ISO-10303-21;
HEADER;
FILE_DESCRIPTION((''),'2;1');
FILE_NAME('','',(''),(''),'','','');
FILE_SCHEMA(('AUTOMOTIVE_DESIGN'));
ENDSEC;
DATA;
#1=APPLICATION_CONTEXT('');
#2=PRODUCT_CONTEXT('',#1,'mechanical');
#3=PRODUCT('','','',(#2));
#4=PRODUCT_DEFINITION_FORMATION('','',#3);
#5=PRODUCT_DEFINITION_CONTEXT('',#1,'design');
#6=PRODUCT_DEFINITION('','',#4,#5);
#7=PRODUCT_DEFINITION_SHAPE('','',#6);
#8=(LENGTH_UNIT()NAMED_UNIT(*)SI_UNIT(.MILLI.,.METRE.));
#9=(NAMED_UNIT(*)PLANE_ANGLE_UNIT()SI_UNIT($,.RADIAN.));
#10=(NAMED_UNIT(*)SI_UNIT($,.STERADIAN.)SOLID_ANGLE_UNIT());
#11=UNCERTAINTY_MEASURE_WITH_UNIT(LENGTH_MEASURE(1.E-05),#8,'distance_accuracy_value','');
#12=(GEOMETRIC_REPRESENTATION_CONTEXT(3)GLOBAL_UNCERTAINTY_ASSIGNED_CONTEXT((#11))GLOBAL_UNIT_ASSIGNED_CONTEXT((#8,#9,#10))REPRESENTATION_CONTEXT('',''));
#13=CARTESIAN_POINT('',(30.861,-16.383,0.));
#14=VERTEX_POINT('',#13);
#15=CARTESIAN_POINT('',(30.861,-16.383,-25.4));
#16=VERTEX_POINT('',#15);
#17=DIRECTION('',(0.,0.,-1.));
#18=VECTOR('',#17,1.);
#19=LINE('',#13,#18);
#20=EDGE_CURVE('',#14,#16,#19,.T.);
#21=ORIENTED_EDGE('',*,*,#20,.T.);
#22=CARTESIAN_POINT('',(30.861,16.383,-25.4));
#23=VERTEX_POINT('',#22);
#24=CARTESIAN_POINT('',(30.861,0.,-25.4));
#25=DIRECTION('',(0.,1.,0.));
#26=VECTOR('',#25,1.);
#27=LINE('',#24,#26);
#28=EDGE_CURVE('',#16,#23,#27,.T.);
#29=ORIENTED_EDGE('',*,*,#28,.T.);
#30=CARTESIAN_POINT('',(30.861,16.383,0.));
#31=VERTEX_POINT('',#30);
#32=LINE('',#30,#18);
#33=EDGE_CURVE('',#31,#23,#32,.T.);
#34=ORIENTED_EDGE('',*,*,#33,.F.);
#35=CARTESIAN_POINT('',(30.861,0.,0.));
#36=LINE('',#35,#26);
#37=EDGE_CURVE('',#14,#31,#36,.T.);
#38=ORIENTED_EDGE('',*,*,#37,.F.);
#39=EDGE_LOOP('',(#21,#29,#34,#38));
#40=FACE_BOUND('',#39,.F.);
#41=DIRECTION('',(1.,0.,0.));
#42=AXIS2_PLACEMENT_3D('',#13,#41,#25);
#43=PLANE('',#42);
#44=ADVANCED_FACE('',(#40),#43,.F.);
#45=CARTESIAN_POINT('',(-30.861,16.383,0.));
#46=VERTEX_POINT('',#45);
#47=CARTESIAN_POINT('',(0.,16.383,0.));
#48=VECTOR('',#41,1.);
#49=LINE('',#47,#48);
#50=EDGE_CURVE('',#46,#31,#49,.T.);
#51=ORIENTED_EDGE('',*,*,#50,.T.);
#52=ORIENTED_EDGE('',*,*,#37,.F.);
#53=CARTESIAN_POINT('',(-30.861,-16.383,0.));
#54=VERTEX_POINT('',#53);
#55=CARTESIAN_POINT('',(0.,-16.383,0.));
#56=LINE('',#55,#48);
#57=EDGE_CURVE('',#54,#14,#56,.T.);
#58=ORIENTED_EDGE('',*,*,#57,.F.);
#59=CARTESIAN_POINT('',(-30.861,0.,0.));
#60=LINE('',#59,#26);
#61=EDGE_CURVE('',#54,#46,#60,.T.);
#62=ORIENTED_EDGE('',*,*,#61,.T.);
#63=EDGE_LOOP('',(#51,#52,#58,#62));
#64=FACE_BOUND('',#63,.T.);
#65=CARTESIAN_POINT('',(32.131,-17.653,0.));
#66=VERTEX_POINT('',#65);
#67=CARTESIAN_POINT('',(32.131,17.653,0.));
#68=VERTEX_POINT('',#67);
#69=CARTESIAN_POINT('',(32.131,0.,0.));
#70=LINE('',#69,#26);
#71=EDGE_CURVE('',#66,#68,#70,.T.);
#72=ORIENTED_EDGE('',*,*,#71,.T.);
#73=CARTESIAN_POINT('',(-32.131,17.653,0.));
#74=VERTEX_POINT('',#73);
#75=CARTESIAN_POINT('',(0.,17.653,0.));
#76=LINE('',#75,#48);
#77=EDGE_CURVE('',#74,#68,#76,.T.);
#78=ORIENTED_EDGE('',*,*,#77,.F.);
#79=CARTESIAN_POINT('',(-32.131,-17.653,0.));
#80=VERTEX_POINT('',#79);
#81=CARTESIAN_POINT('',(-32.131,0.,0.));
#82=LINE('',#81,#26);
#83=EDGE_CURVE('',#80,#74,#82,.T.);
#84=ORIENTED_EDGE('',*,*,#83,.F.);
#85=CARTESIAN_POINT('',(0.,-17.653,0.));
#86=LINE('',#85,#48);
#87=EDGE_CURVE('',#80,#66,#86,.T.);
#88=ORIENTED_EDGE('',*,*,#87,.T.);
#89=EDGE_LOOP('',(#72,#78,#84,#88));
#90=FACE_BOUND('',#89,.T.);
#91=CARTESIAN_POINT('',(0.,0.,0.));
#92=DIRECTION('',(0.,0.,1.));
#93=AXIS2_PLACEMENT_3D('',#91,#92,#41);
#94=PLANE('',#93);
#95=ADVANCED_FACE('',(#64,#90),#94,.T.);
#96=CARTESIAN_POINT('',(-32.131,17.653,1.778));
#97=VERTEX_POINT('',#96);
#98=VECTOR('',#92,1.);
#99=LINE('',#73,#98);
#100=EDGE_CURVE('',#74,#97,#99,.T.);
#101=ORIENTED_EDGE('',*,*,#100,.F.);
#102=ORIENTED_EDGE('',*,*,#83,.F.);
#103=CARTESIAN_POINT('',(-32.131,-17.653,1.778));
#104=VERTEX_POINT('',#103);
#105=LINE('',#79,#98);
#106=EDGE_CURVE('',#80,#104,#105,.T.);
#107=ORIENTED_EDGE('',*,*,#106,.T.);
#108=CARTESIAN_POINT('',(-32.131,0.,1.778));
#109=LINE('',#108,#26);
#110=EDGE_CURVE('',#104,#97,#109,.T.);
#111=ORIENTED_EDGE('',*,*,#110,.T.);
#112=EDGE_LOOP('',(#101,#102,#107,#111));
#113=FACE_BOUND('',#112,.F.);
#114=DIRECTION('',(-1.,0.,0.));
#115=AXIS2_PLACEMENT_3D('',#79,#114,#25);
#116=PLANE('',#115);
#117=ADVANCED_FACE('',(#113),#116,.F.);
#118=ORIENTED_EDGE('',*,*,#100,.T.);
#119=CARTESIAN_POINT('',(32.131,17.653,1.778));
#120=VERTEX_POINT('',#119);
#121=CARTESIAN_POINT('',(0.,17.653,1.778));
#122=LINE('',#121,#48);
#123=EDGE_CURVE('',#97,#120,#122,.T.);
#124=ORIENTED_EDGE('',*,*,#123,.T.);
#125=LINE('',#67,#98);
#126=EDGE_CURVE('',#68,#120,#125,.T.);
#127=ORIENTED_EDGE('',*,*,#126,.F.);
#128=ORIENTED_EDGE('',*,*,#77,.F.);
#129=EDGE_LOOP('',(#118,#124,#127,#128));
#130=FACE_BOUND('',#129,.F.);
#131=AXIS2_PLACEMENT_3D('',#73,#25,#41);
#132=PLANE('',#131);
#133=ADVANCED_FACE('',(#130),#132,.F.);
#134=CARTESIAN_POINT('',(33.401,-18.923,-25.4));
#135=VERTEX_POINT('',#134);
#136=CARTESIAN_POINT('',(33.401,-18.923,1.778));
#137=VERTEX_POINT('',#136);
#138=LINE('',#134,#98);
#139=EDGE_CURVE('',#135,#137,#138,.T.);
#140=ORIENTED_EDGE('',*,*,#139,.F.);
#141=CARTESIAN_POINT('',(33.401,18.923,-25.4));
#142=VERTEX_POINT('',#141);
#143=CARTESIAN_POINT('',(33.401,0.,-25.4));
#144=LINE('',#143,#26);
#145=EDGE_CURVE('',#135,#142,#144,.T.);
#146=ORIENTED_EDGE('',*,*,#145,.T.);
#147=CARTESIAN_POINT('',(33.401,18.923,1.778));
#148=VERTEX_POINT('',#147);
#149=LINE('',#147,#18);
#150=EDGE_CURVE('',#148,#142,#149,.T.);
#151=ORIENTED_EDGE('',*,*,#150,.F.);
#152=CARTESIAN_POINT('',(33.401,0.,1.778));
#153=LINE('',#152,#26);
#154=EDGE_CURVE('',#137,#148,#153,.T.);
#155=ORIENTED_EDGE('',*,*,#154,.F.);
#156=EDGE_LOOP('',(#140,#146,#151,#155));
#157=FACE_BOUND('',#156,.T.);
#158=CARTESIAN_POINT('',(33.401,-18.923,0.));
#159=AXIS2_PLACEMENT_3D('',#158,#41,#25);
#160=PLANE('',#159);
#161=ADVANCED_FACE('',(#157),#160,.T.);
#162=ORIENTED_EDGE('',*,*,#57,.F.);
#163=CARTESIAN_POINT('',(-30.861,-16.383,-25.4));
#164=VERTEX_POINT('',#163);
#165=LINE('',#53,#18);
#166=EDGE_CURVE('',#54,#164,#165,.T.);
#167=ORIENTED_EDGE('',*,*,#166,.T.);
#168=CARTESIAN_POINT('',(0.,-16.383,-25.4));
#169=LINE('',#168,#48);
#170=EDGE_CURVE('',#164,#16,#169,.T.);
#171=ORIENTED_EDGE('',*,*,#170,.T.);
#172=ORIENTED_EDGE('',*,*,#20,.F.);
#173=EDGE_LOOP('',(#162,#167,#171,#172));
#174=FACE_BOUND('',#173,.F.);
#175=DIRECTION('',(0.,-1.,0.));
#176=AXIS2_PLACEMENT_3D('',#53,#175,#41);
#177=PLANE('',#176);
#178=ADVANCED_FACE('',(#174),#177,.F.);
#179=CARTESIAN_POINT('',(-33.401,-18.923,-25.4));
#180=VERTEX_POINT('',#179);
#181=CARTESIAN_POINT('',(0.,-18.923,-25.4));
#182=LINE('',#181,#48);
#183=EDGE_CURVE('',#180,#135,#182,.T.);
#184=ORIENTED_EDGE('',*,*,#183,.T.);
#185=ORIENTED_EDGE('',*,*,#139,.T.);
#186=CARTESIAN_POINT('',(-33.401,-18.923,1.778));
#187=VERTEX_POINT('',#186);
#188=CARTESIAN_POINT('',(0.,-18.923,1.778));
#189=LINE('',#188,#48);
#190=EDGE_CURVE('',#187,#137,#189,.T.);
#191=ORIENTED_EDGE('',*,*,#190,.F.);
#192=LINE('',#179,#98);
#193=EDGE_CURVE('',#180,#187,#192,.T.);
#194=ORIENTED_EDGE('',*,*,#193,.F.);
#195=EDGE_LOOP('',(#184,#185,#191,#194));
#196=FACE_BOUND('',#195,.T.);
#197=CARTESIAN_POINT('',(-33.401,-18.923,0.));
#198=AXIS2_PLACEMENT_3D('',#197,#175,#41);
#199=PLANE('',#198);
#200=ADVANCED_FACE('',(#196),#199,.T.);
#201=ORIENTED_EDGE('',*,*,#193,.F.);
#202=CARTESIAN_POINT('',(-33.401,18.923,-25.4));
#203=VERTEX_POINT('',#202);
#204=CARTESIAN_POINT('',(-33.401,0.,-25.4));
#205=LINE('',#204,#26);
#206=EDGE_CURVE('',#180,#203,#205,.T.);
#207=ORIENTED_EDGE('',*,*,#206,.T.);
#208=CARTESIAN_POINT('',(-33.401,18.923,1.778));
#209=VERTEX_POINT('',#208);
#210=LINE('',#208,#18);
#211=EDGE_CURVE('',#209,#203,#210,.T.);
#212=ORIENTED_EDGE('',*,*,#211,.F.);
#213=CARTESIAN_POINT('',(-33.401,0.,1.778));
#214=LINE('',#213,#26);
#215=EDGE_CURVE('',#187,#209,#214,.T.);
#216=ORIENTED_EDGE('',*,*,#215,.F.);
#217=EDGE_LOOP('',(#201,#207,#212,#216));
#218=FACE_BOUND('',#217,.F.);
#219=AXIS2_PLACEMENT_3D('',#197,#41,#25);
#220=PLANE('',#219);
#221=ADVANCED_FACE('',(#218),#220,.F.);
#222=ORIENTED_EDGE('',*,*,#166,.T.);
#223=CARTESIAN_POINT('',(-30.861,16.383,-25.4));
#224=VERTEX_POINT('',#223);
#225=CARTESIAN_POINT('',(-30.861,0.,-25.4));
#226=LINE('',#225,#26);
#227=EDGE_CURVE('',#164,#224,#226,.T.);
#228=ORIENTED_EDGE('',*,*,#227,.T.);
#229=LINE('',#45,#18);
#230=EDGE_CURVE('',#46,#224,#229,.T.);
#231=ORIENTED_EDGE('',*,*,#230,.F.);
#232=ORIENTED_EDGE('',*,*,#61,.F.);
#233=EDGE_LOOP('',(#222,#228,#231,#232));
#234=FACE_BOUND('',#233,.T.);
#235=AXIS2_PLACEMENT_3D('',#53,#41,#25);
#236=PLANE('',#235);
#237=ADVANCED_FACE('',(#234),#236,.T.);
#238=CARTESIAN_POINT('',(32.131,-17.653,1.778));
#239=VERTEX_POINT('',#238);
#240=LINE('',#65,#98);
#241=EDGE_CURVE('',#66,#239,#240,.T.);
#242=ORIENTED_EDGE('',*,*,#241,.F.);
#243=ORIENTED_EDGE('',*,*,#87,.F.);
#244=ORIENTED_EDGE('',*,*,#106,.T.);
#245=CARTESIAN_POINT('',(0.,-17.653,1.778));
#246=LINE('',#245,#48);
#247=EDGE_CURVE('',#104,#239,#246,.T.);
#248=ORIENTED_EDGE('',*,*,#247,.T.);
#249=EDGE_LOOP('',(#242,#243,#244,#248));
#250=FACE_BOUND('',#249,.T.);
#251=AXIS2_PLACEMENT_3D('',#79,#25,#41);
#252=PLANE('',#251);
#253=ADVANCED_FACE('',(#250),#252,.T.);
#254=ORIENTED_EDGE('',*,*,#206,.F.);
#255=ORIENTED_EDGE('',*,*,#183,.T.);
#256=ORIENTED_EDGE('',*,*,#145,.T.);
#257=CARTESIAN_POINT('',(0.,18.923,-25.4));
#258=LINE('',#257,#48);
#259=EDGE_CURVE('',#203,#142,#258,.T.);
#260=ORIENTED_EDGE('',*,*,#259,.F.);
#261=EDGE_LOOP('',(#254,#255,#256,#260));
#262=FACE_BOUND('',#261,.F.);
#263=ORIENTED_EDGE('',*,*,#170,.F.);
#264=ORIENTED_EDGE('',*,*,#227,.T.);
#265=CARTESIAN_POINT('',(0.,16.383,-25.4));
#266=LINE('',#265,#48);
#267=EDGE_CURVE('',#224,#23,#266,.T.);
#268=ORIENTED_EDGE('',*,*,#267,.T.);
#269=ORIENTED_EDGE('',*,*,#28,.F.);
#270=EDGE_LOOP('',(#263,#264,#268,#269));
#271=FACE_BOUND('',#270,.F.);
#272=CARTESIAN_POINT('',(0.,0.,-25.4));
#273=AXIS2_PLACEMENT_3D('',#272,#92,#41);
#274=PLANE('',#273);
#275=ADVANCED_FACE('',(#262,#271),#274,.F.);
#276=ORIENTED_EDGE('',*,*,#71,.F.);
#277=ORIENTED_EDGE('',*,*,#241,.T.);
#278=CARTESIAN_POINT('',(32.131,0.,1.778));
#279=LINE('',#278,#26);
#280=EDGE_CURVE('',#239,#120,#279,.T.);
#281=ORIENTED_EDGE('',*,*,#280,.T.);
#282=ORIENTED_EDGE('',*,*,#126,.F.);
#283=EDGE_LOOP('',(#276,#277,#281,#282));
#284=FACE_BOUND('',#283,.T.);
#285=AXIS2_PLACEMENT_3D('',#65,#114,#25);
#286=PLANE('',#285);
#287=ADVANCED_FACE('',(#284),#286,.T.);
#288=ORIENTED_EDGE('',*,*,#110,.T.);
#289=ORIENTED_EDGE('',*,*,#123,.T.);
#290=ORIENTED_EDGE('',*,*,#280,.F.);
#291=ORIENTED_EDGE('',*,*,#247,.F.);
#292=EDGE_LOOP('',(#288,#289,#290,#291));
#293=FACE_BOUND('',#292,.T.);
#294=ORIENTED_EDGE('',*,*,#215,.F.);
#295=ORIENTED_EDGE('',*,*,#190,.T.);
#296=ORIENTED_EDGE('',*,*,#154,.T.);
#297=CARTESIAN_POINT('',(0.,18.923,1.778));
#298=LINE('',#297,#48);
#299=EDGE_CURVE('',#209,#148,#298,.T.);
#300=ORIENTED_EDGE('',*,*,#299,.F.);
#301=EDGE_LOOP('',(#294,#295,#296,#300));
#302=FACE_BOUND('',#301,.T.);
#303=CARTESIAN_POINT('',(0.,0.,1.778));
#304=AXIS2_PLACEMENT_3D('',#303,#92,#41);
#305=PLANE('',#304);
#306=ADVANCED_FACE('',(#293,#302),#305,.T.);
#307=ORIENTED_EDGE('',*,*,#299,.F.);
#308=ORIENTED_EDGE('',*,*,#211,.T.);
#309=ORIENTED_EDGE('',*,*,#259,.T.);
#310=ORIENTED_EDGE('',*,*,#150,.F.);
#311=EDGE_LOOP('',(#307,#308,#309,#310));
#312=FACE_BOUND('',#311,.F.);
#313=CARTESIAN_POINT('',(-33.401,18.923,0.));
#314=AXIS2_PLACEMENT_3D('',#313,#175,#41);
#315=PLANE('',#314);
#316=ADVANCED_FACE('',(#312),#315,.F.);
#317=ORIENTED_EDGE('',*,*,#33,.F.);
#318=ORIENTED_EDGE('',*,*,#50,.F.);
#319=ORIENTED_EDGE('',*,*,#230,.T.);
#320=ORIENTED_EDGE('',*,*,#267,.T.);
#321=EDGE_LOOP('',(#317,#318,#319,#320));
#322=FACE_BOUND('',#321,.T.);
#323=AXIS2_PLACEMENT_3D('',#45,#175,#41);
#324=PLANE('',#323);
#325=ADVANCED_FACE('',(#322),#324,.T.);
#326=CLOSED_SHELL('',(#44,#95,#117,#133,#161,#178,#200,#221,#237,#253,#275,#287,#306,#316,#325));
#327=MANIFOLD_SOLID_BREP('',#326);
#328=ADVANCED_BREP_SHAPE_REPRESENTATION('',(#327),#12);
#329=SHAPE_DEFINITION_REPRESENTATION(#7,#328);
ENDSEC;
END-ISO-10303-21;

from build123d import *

# Parameters (mm, degrees)
F0_W          = 64.262
F0_H          = 35.306
F0_W_2        = 61.722
F0_H_2        = 32.766
F1_DEPTH      = 25.4
F2_W          = 66.802
F2_H          = 37.846
F2_W_2        = 64.262
F2_H_2        = 35.306
F3_DEPTH      = 1.778
F3_DEPTH_BACK = 25.4


with BuildPart() as f1:
    # F0 (on Top) → F1 (new body)
    with BuildSketch(Plane.XY):
        Rectangle(F0_W, F0_H)
        Rectangle(F0_W_2, F0_H_2, mode=Mode.SUBTRACT)
    extrude(amount=-F1_DEPTH)

    # F2 (on Top) → F3 (join, two sides)
    with BuildSketch(Plane.XY) as f3_sk:
        Rectangle(F2_W, F2_H)
        Rectangle(F2_W_2, F2_H_2, mode=Mode.SUBTRACT)
    extrude(amount=F3_DEPTH)
    extrude(f3_sk.sketch, amount=-F3_DEPTH_BACK)


solid = f1.part
